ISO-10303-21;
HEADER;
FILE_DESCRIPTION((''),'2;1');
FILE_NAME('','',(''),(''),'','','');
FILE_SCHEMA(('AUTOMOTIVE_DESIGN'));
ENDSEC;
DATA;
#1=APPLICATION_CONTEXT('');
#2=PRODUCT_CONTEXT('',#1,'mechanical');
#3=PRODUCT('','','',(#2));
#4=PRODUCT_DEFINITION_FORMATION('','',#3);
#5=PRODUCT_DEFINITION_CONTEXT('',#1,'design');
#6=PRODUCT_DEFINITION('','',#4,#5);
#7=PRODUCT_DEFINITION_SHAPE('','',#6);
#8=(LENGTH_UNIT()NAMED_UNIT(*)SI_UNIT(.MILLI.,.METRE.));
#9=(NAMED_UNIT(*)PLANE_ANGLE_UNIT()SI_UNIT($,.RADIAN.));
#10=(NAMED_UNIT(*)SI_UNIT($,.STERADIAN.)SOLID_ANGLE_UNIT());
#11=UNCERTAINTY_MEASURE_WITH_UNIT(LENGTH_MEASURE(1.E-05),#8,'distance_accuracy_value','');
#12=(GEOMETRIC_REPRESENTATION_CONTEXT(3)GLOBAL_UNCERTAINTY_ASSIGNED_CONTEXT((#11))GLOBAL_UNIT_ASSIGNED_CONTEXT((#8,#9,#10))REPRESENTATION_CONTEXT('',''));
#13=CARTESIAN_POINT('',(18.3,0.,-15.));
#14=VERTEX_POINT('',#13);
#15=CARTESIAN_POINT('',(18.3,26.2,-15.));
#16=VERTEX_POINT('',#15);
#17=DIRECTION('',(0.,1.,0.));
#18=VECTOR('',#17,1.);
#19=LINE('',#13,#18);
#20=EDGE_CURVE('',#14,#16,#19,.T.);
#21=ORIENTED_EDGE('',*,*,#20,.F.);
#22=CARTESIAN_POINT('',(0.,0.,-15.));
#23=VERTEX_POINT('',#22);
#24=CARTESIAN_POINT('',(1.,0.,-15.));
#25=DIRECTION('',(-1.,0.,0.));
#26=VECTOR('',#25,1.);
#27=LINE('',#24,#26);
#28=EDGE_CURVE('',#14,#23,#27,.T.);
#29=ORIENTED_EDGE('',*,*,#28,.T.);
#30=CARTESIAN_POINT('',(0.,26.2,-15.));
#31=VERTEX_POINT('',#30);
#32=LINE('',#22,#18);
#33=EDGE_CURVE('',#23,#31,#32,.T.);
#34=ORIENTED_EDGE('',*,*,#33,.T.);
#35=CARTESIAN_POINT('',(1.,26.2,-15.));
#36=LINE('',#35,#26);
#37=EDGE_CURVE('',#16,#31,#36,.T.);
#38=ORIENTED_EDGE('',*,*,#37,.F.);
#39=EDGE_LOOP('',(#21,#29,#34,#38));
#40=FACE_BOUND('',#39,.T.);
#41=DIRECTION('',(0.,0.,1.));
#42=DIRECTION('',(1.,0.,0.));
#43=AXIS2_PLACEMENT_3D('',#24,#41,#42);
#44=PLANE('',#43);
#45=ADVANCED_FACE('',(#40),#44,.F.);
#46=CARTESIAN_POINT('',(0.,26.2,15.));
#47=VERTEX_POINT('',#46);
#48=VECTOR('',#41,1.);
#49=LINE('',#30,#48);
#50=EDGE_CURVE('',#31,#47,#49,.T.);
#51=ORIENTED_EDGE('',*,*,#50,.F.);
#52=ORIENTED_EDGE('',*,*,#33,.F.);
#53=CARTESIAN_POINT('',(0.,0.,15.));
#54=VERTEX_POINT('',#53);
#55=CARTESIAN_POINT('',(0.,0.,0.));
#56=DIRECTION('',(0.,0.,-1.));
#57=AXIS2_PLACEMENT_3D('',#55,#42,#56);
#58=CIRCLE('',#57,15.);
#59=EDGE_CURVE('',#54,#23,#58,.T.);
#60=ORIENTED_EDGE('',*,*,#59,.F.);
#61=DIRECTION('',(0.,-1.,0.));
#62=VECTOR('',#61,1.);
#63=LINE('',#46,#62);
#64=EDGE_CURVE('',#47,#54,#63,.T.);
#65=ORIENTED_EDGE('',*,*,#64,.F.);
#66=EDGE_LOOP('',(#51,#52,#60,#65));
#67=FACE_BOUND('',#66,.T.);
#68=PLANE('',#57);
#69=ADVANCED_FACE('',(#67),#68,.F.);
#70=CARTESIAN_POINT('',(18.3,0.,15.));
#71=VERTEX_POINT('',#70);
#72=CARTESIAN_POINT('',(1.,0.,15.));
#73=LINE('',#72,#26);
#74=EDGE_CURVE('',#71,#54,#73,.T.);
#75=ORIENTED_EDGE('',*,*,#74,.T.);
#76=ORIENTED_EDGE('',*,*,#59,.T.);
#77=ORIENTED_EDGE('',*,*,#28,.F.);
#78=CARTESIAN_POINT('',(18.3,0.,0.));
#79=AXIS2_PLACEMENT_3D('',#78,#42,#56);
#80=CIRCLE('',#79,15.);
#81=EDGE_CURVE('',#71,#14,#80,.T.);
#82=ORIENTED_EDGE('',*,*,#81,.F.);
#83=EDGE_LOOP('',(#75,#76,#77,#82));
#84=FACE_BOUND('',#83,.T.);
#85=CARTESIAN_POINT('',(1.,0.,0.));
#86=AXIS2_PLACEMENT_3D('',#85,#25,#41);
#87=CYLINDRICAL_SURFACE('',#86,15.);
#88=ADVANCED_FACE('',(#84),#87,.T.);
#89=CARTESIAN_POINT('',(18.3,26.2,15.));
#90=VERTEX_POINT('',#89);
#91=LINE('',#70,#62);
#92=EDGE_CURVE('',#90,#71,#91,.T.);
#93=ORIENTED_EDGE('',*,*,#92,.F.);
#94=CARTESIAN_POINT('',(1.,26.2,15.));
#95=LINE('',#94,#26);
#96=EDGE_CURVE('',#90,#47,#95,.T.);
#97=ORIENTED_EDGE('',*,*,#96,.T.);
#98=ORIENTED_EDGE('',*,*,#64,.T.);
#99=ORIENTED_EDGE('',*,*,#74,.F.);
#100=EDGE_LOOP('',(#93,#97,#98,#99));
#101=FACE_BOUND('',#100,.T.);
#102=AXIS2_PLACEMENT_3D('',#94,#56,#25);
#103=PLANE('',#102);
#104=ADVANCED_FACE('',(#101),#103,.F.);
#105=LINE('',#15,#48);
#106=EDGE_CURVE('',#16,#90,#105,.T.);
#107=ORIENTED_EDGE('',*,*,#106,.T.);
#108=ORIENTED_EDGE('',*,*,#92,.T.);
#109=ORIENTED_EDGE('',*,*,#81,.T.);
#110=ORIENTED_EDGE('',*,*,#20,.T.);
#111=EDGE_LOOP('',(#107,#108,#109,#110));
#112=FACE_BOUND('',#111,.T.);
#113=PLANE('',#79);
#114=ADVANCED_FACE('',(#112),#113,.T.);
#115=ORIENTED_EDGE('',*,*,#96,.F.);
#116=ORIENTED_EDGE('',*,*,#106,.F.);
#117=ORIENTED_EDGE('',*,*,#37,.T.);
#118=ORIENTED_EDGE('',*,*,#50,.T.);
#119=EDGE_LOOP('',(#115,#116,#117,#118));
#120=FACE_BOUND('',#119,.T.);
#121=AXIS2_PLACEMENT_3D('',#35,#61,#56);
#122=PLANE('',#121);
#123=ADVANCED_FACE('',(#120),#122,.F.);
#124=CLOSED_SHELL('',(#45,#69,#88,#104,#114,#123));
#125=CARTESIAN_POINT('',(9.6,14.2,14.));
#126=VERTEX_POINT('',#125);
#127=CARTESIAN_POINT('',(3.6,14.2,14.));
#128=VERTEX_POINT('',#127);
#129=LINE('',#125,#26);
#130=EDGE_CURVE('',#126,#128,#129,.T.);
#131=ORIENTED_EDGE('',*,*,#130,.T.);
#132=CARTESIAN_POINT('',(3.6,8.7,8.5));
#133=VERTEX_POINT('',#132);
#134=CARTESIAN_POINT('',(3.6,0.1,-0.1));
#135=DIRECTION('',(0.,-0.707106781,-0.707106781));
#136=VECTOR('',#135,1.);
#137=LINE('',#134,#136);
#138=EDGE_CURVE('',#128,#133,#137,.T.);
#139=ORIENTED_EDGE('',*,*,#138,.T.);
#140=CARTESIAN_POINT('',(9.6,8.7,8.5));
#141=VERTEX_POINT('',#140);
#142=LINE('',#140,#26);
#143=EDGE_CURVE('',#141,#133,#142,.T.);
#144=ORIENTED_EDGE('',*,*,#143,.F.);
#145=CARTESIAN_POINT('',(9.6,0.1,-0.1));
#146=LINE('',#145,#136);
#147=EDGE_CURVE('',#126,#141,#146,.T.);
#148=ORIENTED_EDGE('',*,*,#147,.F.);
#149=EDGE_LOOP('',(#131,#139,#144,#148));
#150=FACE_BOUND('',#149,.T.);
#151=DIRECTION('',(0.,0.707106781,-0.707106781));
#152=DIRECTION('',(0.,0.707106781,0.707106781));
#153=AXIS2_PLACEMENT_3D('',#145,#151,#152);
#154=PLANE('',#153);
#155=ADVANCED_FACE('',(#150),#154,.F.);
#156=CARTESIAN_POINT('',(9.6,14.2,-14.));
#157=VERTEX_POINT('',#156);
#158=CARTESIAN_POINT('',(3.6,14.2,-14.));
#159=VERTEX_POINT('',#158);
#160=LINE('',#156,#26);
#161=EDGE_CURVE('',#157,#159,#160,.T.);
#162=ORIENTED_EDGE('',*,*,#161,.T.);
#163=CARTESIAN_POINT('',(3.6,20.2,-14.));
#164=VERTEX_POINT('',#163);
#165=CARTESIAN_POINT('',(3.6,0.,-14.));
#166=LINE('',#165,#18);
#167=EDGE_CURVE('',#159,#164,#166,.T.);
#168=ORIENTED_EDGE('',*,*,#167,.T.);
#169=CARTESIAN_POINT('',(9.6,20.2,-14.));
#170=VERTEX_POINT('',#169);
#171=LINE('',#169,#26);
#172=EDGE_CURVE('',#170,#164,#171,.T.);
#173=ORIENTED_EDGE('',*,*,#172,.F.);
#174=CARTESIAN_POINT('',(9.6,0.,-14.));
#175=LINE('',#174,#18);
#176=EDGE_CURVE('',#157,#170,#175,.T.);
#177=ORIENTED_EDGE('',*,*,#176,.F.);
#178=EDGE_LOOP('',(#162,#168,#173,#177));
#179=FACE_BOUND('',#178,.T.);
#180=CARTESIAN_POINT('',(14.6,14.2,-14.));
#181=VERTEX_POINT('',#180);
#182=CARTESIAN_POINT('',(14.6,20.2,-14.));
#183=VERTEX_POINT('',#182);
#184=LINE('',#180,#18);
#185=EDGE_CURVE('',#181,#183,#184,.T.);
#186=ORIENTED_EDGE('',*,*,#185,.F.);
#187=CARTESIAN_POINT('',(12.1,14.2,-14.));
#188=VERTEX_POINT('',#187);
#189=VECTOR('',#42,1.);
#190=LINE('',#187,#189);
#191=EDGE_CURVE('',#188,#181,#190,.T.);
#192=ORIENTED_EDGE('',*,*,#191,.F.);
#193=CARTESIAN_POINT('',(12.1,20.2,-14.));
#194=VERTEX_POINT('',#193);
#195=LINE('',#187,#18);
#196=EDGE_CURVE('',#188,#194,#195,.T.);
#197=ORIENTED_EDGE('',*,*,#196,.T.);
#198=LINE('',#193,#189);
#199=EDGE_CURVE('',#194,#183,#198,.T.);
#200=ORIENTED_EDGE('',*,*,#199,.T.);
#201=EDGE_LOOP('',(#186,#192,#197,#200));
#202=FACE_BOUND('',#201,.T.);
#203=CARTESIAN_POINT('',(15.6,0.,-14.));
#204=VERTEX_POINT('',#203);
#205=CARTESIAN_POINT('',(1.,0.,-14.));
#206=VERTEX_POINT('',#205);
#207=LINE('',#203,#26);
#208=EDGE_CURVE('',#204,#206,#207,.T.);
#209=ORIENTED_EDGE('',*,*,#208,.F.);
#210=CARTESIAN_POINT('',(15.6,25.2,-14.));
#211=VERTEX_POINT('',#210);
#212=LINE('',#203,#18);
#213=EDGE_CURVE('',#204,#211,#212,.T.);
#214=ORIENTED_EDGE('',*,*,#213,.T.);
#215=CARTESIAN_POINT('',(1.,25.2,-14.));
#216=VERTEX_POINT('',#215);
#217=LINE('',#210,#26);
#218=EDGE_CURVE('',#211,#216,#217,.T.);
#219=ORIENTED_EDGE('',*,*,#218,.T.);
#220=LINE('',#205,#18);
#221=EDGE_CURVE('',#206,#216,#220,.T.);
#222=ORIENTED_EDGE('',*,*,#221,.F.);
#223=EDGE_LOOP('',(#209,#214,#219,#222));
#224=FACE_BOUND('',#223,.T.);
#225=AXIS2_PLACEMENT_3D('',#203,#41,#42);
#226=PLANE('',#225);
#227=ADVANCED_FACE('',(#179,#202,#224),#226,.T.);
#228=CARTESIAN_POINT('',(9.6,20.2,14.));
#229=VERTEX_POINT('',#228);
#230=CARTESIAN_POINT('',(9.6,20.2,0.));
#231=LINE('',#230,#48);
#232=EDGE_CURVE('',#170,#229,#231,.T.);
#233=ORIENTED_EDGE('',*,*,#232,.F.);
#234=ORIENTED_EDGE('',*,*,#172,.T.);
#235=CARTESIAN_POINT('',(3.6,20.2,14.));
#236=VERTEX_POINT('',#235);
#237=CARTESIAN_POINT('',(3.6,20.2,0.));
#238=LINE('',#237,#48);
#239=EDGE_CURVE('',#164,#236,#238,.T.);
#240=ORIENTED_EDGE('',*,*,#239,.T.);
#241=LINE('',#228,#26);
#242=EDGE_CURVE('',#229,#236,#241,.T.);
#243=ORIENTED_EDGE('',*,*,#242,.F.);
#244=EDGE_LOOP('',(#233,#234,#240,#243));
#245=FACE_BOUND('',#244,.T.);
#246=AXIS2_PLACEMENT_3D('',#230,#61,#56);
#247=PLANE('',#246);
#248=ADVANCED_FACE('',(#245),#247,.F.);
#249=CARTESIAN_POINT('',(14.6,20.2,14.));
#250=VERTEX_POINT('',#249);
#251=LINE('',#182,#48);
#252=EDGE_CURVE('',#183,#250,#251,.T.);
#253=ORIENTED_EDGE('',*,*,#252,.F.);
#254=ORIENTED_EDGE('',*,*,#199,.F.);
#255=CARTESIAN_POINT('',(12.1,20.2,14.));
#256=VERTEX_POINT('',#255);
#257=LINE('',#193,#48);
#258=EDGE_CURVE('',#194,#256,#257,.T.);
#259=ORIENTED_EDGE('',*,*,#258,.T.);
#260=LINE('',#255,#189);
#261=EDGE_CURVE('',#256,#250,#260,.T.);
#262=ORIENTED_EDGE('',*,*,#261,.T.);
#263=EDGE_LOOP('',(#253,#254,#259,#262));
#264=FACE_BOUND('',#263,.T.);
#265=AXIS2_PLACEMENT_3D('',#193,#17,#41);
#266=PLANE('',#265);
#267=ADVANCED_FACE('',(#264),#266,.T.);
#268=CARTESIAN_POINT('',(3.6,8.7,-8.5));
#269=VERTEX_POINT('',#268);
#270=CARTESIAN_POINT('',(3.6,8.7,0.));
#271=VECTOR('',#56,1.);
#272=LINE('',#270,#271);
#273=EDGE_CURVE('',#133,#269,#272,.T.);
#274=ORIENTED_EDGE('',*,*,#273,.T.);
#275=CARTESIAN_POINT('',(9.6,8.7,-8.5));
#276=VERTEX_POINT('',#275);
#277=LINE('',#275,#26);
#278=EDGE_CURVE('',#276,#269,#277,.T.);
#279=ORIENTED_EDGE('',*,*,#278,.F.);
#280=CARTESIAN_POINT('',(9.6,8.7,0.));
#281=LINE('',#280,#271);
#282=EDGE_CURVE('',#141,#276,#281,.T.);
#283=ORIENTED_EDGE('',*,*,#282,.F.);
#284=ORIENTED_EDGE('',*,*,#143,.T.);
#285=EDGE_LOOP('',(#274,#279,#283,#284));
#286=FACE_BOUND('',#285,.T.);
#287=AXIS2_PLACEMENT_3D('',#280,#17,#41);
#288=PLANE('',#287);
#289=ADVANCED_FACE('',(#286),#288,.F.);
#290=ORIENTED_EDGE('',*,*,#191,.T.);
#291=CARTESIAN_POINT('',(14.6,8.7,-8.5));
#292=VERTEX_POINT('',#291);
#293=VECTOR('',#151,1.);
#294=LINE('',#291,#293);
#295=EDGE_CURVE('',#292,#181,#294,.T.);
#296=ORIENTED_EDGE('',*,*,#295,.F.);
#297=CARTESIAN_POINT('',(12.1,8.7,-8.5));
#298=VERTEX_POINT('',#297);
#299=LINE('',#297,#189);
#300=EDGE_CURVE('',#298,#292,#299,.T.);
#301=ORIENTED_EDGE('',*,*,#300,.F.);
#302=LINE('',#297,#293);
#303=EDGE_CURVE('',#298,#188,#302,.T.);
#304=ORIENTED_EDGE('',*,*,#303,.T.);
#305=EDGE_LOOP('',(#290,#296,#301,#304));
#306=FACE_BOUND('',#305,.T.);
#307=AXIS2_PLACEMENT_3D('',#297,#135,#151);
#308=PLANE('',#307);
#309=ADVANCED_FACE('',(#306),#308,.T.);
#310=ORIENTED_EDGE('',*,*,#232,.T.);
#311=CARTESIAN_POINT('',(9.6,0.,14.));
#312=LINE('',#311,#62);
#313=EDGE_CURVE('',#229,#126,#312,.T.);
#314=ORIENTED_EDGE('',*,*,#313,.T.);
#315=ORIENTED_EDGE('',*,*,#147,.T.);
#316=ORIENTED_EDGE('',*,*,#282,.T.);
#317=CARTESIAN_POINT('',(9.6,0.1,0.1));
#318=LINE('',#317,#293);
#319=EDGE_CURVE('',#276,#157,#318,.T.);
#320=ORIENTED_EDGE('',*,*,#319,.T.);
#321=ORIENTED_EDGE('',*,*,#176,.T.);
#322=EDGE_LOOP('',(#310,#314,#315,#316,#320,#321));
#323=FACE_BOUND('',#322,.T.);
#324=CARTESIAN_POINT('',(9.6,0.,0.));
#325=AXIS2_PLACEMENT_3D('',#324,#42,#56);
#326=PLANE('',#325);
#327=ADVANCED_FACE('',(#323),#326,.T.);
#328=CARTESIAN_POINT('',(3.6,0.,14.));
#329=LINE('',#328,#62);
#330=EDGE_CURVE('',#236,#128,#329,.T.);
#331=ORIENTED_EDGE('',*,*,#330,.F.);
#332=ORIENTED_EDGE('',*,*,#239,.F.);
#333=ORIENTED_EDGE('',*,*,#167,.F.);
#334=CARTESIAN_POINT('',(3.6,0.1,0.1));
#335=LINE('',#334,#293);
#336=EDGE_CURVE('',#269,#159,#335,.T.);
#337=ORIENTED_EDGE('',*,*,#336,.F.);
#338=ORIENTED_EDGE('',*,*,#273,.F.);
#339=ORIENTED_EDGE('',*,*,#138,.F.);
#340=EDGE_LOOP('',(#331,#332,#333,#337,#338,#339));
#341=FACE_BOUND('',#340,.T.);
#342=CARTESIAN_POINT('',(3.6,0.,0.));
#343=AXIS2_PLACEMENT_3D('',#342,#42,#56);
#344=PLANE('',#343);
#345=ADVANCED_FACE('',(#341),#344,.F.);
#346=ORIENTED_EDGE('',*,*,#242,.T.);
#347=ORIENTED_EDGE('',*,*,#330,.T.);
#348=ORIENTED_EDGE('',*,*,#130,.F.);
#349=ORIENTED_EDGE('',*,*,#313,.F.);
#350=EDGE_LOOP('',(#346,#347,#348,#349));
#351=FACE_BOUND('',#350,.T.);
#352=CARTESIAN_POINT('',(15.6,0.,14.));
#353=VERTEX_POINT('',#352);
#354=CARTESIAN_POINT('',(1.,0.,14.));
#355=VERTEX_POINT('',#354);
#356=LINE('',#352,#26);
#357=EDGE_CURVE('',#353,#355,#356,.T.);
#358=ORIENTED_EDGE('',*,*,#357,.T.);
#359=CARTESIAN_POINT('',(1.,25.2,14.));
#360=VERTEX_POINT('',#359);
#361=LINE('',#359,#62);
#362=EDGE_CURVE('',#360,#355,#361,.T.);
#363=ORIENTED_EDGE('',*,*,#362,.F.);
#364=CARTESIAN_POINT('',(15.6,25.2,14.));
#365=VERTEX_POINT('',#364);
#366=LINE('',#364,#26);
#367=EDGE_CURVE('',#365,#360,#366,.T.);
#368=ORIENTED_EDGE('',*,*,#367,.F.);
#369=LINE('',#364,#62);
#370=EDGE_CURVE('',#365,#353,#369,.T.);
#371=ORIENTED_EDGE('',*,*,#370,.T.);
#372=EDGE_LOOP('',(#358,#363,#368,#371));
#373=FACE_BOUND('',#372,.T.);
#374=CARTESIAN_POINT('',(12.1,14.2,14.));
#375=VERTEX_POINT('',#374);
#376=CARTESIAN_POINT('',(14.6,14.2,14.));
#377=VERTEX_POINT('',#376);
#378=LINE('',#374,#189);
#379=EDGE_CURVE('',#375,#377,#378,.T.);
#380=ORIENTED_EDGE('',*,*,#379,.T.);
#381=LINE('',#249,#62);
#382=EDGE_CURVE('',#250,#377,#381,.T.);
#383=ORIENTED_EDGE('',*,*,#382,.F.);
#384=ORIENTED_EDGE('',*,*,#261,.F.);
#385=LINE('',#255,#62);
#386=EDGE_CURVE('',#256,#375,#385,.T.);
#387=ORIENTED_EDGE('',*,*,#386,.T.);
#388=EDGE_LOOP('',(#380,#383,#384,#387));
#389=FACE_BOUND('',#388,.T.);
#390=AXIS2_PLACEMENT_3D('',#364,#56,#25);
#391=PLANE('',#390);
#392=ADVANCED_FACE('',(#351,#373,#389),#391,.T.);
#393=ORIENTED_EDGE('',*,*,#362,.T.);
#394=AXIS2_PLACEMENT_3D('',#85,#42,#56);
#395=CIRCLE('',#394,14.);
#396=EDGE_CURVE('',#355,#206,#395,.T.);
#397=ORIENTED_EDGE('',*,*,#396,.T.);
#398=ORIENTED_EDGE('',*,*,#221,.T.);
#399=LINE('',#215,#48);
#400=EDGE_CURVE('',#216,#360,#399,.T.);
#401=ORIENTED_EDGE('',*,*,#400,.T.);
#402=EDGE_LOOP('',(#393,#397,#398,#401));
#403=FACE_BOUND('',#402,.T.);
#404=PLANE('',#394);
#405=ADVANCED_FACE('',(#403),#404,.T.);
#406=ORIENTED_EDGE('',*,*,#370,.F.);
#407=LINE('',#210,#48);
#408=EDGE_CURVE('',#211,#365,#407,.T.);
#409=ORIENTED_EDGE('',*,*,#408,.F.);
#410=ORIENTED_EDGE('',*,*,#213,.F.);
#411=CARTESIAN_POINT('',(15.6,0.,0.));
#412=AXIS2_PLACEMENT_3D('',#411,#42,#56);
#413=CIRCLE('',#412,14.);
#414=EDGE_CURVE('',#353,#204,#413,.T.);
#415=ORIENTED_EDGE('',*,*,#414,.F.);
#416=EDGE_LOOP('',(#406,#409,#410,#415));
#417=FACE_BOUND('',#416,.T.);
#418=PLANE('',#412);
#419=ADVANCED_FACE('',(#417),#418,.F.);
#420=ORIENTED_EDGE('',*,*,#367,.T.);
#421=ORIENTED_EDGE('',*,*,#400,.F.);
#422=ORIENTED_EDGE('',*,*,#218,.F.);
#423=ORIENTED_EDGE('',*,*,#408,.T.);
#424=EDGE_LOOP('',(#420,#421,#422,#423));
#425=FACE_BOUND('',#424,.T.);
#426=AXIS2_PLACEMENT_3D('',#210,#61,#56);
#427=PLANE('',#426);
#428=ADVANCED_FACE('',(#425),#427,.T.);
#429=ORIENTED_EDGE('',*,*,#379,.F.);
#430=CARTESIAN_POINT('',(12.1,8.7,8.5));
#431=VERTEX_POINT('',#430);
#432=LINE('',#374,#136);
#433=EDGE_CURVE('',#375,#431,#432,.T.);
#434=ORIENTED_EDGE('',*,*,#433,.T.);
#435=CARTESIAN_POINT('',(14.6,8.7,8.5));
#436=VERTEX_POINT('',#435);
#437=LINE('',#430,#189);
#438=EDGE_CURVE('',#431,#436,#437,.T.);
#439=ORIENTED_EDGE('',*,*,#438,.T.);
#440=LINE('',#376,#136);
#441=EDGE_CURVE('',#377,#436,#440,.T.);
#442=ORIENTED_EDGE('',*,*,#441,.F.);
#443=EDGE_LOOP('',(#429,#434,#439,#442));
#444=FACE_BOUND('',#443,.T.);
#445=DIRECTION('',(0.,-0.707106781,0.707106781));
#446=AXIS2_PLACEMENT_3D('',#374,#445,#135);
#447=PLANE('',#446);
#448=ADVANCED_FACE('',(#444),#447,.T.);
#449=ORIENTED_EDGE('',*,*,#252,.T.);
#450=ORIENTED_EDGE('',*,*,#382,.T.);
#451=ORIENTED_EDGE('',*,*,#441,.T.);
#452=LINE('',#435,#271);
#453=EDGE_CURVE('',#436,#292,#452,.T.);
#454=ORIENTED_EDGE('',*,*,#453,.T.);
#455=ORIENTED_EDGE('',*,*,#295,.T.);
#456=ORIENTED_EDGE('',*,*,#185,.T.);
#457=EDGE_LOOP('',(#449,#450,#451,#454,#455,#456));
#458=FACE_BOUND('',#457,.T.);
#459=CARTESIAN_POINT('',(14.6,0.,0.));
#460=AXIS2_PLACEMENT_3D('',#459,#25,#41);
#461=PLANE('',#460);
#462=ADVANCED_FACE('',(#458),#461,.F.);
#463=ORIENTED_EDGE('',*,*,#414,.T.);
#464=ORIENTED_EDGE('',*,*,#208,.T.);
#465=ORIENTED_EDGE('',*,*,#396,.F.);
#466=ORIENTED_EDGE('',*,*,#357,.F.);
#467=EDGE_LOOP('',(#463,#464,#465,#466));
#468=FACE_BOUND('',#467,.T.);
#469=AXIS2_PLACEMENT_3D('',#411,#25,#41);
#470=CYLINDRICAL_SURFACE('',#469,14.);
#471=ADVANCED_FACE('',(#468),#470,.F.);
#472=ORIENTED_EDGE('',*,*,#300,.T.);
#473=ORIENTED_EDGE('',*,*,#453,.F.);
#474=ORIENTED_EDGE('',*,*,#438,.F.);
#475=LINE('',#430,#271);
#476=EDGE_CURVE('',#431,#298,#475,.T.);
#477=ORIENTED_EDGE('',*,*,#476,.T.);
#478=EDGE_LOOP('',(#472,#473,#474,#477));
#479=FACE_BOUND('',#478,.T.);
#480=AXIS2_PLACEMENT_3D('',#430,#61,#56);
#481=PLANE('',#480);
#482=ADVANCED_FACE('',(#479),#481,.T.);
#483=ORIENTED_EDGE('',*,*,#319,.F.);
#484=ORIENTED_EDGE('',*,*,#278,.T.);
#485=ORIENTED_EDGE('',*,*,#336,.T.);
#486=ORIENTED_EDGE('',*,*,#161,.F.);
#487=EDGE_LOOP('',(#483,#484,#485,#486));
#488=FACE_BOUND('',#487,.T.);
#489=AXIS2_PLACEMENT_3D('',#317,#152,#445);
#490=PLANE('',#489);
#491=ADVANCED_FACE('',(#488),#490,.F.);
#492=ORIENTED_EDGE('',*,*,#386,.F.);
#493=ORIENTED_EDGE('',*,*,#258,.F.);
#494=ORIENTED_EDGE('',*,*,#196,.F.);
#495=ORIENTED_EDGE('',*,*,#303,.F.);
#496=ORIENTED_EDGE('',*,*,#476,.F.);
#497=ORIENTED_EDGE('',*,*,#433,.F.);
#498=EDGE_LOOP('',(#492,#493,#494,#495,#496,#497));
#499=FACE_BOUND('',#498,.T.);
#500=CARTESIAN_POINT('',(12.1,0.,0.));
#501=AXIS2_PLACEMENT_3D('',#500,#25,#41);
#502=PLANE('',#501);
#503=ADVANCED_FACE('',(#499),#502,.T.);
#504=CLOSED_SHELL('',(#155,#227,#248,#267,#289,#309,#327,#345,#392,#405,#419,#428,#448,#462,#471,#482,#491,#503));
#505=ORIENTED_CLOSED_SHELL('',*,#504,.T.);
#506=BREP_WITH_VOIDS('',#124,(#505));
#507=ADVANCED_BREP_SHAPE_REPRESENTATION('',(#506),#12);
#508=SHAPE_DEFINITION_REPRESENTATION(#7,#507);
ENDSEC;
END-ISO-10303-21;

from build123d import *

# Parameters (mm, degrees)
EXTRUDE_1_DEPTH = 1
EXTRUDE_2_DEPTH = 14.6
EXTRUDE_3_DEPTH = 6
EXTRUDE_4_DEPTH = 2.5
EXTRUDE_6_DEPTH = 2.7


with BuildPart() as part:
    # 草图1 → 凸台-拉伸1 (new body)
    with BuildSketch(Plane(origin=(0, 0, 0), x_dir=(0, 0, -1), z_dir=(1, 0, 0))):
        with BuildLine():
            Line((15, 0), (15, 26.2))
            Line((15, 26.2), (-15, 26.2))
            Line((-15, 26.2), (-15, 0))
            ThreePointArc((-15, 0), (0, -15), (15, 0))
        make_face()
    extrude(amount=EXTRUDE_1_DEPTH)

    # 草图2 → 凸台-拉伸2 (add)
    with BuildSketch(Plane(origin=(1, 0, 0), x_dir=(0, 0, -1), z_dir=(1, 0, 0))):
        with BuildLine():
            Line((15, 0), (15, 26.2))
            Line((15, 26.2), (-15, 26.2))
            Line((-15, 26.2), (-15, 0))
            ThreePointArc((-15, 0), (0, -15), (15, 0))
        make_face()
        with BuildLine():
            Line((14, 0), (14, 25.2))
            Line((14, 25.2), (-14, 25.2))
            Line((-14, 25.2), (-14, 0))
            ThreePointArc((-14, 0), (0, -14), (14, 0))
        make_face(mode=Mode.SUBTRACT)
    extrude(amount=EXTRUDE_2_DEPTH)

    # 草图4 → 凸台-拉伸3 (add)
    with BuildSketch(Plane(origin=(3.6, 0, 0), x_dir=(0, 0, -1), z_dir=(1, 0, 0))):
        Polygon((8.5, 8.7), (14, 14.2), (14, 20.2), (-14, 20.2), (-14, 14.2), (-8.5, 8.7), align=None)
    extrude(amount=EXTRUDE_3_DEPTH)

    # 草图5 → 凸台-拉伸4 (add)
    with BuildSketch(Plane(origin=(14.6, 0, 0), x_dir=(0, 0, -1), z_dir=(1, 0, 0))):
        Polygon((14, 14.2), (14, 20.2), (-14, 20.2), (-14, 14.2), (-8.5, 8.7), (8.5, 8.7), align=None)
    extrude(amount=-EXTRUDE_4_DEPTH)

    # 草图6 → 凸台-拉伸6 (add)
    with BuildSketch(Plane(origin=(15.6, 0, 0), x_dir=(0, 0, -1), z_dir=(1, 0, 0))):
        with BuildLine():
            Line((-15, 0), (-15, 26.2))
            Line((-15, 26.2), (15, 26.2))
            Line((15, 26.2), (15, 0))
            ThreePointArc((15, 0), (0, -15), (-15, 0))
        make_face()
    extrude(amount=EXTRUDE_6_DEPTH)


solid = part.part
